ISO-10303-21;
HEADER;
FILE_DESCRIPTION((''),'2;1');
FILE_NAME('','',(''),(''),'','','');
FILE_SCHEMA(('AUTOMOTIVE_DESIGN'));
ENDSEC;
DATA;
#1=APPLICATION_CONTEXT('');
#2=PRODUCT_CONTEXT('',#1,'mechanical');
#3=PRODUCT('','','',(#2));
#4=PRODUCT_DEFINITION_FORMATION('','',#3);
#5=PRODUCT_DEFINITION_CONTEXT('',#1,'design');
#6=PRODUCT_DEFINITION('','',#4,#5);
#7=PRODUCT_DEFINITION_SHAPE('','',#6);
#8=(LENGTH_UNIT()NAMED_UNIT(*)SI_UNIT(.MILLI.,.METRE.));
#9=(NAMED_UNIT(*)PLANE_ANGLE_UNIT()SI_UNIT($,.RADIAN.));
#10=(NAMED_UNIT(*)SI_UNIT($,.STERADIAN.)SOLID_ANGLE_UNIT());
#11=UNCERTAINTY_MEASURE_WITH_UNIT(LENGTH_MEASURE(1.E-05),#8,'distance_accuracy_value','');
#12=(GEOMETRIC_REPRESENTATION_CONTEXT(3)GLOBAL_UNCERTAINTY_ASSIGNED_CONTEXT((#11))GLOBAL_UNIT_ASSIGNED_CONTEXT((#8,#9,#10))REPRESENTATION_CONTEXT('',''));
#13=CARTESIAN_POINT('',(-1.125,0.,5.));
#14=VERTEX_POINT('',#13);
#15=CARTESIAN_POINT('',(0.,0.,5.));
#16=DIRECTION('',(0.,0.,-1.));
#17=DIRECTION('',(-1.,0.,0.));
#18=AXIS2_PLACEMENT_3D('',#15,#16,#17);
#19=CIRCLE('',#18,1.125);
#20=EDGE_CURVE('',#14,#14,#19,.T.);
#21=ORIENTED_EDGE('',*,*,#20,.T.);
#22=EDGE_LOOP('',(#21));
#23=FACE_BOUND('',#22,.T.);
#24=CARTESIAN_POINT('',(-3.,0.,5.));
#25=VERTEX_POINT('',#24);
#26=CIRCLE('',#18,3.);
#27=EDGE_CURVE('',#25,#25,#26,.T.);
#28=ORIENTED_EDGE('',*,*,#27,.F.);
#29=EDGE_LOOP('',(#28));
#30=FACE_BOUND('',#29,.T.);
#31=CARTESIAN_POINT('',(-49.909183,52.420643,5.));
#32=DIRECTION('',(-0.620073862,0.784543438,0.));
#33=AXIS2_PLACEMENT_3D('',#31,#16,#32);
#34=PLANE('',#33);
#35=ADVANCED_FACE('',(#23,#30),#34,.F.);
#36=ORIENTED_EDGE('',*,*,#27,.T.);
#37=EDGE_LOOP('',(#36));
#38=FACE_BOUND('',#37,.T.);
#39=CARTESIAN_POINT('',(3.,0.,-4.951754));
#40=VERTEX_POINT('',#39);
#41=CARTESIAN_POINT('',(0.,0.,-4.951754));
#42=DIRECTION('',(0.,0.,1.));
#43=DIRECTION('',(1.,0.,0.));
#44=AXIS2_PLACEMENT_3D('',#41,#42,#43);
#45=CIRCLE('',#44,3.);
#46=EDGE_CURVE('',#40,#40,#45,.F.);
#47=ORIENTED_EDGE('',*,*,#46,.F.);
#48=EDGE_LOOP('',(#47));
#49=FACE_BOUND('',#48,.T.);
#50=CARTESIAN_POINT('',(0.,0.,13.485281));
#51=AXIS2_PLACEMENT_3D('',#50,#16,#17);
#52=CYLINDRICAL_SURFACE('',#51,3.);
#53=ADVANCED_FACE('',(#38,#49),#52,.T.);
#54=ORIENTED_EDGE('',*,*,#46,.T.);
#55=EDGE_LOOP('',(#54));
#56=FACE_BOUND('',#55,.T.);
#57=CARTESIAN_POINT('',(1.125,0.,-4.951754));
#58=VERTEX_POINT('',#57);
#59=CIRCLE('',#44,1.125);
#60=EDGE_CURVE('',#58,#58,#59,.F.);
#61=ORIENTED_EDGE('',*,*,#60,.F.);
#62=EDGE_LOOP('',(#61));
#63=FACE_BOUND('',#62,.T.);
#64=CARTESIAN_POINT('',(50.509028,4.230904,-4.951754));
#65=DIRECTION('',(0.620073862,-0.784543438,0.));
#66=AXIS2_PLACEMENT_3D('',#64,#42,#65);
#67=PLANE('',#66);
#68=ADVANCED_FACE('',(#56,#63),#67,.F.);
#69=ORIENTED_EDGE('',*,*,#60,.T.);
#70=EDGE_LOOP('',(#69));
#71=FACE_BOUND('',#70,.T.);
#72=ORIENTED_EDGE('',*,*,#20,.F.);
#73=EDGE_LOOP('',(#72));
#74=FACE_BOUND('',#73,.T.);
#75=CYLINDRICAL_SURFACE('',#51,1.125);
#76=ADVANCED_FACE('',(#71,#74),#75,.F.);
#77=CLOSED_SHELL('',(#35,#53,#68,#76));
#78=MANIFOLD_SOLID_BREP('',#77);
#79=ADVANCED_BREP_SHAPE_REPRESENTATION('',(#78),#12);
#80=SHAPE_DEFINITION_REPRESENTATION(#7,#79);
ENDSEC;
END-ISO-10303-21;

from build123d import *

# Parameters (mm, degrees)
ESQUISSE1_R             = 3
ESQUISSE1_R_2           = 1.125
BOSS_EXTRU_2_DEPTH      = 5
BOSS_EXTRU_2_DEPTH_BACK = 4.951754


with BuildPart() as part:
    # Esquisse1 → Boss.-Extru.2 (new body, two sides)
    with BuildSketch(Plane.XY) as boss_extru_2_sk:
        Circle(ESQUISSE1_R)
        Circle(ESQUISSE1_R_2, mode=Mode.SUBTRACT)
    extrude(amount=BOSS_EXTRU_2_DEPTH)
    extrude(boss_extru_2_sk.sketch, amount=-BOSS_EXTRU_2_DEPTH_BACK)


solid = part.part
